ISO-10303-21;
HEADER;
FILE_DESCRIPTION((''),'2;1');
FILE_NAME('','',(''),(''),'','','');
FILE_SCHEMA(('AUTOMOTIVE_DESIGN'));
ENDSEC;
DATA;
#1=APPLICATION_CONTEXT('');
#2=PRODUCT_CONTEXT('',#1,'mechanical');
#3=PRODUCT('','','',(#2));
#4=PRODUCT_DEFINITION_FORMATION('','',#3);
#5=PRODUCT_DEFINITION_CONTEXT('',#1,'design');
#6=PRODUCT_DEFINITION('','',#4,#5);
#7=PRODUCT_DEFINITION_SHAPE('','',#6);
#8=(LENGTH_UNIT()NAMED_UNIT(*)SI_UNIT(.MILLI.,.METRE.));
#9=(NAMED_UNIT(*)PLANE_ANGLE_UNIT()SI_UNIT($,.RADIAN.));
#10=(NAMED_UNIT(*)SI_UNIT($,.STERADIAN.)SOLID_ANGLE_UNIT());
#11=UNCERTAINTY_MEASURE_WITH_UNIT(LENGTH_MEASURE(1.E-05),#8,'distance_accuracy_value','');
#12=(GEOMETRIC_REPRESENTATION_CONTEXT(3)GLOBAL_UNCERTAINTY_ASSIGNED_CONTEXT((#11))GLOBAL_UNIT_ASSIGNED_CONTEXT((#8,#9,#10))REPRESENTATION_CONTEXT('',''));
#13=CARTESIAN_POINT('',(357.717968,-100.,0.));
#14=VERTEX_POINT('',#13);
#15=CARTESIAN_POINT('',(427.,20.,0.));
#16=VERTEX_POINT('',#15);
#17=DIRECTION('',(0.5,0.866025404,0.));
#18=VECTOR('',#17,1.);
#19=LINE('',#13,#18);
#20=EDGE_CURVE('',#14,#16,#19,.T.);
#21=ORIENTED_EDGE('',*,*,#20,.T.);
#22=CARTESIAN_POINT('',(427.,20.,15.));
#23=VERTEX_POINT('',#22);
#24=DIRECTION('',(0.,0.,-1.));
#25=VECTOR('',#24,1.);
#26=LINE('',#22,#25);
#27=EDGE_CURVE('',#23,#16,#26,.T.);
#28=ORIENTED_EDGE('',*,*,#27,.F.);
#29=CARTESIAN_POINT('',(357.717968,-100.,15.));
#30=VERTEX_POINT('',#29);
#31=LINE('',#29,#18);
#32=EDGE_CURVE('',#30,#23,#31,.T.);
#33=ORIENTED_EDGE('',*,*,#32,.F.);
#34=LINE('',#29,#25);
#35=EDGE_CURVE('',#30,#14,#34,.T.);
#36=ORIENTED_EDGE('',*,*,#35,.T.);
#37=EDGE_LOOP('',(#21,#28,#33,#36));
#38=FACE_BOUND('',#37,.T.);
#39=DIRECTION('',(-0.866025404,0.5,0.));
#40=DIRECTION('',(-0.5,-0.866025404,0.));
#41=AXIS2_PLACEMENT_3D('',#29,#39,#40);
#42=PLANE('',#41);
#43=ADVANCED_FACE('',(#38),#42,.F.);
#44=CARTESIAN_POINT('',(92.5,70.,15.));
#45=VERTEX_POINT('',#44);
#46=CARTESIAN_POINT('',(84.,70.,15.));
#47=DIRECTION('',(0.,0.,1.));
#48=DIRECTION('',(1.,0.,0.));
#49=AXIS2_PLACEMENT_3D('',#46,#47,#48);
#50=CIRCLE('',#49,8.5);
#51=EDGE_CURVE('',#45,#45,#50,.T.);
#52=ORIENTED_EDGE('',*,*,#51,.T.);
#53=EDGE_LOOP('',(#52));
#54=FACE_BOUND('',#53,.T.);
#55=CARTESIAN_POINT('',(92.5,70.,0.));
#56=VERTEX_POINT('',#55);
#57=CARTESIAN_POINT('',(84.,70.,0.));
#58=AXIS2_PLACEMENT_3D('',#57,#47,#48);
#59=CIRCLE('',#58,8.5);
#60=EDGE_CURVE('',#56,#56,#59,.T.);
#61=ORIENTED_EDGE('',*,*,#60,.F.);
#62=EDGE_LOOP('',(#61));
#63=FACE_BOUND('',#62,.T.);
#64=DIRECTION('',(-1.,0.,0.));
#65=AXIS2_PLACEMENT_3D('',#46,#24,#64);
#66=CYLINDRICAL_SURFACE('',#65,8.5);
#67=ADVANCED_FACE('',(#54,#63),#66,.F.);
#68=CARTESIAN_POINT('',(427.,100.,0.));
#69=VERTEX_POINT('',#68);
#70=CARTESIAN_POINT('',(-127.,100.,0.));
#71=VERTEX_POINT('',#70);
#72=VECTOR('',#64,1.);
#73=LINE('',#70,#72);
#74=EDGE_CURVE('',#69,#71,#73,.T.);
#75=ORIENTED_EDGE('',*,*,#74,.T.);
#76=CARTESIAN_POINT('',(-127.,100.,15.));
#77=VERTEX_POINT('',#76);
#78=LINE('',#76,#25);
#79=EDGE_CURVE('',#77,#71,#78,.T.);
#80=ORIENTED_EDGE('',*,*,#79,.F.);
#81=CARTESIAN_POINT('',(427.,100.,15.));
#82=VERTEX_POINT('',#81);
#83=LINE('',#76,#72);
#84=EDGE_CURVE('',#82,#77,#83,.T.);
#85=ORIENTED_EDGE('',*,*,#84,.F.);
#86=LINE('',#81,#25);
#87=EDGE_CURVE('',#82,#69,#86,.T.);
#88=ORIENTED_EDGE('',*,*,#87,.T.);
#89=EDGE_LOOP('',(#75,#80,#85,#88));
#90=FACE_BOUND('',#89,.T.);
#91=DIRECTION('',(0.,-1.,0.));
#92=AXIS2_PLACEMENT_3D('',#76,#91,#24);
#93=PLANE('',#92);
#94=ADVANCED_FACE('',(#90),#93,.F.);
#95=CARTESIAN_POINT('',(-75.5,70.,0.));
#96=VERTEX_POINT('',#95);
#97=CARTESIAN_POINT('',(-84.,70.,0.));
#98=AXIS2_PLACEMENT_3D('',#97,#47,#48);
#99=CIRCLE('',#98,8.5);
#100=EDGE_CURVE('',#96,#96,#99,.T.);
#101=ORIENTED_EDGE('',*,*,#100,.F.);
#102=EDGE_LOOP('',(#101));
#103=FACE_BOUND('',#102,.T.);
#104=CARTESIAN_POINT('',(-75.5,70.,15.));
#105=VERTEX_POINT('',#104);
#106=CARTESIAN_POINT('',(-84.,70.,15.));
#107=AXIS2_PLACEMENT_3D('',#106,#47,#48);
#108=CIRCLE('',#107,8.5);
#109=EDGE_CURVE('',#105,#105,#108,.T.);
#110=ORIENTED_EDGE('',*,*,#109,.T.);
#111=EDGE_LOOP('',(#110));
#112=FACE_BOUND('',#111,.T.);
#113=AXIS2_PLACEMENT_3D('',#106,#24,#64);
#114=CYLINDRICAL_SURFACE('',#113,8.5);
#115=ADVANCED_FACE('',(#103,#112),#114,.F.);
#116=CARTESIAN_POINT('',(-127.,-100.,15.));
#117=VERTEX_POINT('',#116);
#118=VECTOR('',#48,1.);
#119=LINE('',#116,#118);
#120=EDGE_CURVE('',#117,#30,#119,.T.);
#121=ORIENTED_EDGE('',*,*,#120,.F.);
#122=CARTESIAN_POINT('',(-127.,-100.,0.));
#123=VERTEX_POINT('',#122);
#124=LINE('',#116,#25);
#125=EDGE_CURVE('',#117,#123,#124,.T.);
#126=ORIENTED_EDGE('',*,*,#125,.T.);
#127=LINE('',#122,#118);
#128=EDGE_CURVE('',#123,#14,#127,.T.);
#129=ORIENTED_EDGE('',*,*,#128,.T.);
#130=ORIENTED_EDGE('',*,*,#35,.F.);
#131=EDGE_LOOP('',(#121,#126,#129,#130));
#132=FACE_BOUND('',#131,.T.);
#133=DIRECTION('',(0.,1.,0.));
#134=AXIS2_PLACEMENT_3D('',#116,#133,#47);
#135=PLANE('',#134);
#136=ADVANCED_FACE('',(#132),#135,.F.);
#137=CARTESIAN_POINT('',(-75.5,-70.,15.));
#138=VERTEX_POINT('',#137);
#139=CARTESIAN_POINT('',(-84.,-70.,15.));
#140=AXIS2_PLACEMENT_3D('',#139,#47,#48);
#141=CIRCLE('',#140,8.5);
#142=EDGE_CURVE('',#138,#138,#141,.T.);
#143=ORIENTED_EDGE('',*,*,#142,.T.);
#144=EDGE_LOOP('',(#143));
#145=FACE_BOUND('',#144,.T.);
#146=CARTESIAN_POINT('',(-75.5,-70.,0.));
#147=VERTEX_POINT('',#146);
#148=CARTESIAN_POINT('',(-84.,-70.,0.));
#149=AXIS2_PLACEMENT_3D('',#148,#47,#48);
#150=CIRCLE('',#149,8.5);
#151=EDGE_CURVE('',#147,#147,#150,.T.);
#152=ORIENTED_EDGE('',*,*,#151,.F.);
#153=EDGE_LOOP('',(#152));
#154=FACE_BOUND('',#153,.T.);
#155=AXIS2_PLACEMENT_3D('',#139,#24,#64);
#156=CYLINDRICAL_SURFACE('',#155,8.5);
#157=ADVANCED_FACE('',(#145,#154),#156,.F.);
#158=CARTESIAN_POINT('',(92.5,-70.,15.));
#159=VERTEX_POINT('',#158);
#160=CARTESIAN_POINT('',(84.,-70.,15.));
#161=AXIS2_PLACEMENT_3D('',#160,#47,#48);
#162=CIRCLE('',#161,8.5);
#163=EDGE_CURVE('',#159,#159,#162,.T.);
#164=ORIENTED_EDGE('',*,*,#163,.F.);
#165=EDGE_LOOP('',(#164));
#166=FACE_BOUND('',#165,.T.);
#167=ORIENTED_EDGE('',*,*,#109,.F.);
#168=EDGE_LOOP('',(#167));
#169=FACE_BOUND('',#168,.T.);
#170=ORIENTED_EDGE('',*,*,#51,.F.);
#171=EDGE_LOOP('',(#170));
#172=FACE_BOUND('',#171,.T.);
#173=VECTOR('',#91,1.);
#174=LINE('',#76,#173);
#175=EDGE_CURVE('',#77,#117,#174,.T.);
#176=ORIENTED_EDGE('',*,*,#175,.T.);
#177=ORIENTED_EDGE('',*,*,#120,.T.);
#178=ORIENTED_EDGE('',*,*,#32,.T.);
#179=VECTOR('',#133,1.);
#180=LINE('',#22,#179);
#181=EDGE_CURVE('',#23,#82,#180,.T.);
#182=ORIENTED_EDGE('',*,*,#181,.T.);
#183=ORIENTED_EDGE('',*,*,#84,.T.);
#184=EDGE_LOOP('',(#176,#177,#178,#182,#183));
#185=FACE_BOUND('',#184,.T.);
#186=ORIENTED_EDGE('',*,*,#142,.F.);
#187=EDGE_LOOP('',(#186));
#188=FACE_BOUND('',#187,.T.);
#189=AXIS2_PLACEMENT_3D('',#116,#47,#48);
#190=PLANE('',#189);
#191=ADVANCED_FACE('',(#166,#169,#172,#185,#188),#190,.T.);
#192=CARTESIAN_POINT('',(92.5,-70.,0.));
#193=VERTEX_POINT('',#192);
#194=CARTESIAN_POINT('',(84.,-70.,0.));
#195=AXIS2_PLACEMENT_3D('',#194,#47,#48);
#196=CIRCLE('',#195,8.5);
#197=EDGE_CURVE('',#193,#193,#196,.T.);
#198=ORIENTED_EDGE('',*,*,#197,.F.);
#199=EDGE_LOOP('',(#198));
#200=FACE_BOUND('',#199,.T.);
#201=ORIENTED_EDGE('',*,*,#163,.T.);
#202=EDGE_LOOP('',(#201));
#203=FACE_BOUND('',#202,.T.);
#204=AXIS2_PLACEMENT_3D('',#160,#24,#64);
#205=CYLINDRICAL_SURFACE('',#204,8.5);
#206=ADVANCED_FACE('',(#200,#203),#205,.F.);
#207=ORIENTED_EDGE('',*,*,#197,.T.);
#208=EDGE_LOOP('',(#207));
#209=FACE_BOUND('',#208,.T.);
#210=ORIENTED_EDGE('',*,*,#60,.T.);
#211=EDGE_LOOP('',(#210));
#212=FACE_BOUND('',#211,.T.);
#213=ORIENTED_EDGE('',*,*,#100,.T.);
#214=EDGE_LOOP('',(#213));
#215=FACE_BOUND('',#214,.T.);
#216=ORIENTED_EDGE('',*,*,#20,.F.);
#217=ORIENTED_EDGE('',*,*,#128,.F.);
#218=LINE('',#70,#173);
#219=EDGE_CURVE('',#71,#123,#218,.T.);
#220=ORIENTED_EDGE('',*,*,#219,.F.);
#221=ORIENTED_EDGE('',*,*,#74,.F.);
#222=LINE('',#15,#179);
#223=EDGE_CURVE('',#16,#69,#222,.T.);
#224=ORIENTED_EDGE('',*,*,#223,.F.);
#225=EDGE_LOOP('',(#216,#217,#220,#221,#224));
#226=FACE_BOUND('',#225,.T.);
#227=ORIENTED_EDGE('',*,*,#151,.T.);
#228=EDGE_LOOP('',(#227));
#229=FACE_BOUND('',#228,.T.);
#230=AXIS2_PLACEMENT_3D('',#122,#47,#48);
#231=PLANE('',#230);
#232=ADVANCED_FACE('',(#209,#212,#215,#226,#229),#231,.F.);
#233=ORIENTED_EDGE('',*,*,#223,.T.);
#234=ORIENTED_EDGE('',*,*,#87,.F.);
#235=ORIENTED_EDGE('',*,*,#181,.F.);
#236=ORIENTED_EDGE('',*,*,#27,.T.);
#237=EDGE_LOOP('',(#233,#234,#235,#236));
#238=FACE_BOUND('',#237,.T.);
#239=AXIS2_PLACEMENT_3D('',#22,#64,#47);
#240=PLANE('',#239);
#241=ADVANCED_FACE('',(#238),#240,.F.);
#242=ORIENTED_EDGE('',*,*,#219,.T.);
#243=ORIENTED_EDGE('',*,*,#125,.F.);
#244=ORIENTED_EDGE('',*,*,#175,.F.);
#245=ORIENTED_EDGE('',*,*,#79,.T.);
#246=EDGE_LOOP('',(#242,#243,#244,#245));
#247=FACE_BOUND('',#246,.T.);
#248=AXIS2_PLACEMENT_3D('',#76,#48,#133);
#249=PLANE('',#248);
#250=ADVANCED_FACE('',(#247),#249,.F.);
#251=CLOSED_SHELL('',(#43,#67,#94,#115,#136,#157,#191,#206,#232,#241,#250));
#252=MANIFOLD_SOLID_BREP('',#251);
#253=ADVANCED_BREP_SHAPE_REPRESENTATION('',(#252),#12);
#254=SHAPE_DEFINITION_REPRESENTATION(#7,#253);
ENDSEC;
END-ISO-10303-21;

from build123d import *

# Parameters (mm, degrees)
SKETCH1_R      = 8.5
EXTRUDE1_DEPTH = 15


with BuildPart() as part:
    # Sketch1 → Extrude1 (new body)
    with BuildSketch(Plane.XY):
        Polygon((-127, 100), (427, 100), (427, 20), (357.717967697, -100), (-127, -100), align=None)
        with Locations((-84, 70)):
            Circle(SKETCH1_R, mode=Mode.SUBTRACT)
        with Locations((84, 70)):
            Circle(SKETCH1_R, mode=Mode.SUBTRACT)
        with Locations((84, -70)):
            Circle(SKETCH1_R, mode=Mode.SUBTRACT)
        with Locations((-84, -70)):
            Circle(SKETCH1_R, mode=Mode.SUBTRACT)
    extrude(amount=EXTRUDE1_DEPTH)


solid = part.part
